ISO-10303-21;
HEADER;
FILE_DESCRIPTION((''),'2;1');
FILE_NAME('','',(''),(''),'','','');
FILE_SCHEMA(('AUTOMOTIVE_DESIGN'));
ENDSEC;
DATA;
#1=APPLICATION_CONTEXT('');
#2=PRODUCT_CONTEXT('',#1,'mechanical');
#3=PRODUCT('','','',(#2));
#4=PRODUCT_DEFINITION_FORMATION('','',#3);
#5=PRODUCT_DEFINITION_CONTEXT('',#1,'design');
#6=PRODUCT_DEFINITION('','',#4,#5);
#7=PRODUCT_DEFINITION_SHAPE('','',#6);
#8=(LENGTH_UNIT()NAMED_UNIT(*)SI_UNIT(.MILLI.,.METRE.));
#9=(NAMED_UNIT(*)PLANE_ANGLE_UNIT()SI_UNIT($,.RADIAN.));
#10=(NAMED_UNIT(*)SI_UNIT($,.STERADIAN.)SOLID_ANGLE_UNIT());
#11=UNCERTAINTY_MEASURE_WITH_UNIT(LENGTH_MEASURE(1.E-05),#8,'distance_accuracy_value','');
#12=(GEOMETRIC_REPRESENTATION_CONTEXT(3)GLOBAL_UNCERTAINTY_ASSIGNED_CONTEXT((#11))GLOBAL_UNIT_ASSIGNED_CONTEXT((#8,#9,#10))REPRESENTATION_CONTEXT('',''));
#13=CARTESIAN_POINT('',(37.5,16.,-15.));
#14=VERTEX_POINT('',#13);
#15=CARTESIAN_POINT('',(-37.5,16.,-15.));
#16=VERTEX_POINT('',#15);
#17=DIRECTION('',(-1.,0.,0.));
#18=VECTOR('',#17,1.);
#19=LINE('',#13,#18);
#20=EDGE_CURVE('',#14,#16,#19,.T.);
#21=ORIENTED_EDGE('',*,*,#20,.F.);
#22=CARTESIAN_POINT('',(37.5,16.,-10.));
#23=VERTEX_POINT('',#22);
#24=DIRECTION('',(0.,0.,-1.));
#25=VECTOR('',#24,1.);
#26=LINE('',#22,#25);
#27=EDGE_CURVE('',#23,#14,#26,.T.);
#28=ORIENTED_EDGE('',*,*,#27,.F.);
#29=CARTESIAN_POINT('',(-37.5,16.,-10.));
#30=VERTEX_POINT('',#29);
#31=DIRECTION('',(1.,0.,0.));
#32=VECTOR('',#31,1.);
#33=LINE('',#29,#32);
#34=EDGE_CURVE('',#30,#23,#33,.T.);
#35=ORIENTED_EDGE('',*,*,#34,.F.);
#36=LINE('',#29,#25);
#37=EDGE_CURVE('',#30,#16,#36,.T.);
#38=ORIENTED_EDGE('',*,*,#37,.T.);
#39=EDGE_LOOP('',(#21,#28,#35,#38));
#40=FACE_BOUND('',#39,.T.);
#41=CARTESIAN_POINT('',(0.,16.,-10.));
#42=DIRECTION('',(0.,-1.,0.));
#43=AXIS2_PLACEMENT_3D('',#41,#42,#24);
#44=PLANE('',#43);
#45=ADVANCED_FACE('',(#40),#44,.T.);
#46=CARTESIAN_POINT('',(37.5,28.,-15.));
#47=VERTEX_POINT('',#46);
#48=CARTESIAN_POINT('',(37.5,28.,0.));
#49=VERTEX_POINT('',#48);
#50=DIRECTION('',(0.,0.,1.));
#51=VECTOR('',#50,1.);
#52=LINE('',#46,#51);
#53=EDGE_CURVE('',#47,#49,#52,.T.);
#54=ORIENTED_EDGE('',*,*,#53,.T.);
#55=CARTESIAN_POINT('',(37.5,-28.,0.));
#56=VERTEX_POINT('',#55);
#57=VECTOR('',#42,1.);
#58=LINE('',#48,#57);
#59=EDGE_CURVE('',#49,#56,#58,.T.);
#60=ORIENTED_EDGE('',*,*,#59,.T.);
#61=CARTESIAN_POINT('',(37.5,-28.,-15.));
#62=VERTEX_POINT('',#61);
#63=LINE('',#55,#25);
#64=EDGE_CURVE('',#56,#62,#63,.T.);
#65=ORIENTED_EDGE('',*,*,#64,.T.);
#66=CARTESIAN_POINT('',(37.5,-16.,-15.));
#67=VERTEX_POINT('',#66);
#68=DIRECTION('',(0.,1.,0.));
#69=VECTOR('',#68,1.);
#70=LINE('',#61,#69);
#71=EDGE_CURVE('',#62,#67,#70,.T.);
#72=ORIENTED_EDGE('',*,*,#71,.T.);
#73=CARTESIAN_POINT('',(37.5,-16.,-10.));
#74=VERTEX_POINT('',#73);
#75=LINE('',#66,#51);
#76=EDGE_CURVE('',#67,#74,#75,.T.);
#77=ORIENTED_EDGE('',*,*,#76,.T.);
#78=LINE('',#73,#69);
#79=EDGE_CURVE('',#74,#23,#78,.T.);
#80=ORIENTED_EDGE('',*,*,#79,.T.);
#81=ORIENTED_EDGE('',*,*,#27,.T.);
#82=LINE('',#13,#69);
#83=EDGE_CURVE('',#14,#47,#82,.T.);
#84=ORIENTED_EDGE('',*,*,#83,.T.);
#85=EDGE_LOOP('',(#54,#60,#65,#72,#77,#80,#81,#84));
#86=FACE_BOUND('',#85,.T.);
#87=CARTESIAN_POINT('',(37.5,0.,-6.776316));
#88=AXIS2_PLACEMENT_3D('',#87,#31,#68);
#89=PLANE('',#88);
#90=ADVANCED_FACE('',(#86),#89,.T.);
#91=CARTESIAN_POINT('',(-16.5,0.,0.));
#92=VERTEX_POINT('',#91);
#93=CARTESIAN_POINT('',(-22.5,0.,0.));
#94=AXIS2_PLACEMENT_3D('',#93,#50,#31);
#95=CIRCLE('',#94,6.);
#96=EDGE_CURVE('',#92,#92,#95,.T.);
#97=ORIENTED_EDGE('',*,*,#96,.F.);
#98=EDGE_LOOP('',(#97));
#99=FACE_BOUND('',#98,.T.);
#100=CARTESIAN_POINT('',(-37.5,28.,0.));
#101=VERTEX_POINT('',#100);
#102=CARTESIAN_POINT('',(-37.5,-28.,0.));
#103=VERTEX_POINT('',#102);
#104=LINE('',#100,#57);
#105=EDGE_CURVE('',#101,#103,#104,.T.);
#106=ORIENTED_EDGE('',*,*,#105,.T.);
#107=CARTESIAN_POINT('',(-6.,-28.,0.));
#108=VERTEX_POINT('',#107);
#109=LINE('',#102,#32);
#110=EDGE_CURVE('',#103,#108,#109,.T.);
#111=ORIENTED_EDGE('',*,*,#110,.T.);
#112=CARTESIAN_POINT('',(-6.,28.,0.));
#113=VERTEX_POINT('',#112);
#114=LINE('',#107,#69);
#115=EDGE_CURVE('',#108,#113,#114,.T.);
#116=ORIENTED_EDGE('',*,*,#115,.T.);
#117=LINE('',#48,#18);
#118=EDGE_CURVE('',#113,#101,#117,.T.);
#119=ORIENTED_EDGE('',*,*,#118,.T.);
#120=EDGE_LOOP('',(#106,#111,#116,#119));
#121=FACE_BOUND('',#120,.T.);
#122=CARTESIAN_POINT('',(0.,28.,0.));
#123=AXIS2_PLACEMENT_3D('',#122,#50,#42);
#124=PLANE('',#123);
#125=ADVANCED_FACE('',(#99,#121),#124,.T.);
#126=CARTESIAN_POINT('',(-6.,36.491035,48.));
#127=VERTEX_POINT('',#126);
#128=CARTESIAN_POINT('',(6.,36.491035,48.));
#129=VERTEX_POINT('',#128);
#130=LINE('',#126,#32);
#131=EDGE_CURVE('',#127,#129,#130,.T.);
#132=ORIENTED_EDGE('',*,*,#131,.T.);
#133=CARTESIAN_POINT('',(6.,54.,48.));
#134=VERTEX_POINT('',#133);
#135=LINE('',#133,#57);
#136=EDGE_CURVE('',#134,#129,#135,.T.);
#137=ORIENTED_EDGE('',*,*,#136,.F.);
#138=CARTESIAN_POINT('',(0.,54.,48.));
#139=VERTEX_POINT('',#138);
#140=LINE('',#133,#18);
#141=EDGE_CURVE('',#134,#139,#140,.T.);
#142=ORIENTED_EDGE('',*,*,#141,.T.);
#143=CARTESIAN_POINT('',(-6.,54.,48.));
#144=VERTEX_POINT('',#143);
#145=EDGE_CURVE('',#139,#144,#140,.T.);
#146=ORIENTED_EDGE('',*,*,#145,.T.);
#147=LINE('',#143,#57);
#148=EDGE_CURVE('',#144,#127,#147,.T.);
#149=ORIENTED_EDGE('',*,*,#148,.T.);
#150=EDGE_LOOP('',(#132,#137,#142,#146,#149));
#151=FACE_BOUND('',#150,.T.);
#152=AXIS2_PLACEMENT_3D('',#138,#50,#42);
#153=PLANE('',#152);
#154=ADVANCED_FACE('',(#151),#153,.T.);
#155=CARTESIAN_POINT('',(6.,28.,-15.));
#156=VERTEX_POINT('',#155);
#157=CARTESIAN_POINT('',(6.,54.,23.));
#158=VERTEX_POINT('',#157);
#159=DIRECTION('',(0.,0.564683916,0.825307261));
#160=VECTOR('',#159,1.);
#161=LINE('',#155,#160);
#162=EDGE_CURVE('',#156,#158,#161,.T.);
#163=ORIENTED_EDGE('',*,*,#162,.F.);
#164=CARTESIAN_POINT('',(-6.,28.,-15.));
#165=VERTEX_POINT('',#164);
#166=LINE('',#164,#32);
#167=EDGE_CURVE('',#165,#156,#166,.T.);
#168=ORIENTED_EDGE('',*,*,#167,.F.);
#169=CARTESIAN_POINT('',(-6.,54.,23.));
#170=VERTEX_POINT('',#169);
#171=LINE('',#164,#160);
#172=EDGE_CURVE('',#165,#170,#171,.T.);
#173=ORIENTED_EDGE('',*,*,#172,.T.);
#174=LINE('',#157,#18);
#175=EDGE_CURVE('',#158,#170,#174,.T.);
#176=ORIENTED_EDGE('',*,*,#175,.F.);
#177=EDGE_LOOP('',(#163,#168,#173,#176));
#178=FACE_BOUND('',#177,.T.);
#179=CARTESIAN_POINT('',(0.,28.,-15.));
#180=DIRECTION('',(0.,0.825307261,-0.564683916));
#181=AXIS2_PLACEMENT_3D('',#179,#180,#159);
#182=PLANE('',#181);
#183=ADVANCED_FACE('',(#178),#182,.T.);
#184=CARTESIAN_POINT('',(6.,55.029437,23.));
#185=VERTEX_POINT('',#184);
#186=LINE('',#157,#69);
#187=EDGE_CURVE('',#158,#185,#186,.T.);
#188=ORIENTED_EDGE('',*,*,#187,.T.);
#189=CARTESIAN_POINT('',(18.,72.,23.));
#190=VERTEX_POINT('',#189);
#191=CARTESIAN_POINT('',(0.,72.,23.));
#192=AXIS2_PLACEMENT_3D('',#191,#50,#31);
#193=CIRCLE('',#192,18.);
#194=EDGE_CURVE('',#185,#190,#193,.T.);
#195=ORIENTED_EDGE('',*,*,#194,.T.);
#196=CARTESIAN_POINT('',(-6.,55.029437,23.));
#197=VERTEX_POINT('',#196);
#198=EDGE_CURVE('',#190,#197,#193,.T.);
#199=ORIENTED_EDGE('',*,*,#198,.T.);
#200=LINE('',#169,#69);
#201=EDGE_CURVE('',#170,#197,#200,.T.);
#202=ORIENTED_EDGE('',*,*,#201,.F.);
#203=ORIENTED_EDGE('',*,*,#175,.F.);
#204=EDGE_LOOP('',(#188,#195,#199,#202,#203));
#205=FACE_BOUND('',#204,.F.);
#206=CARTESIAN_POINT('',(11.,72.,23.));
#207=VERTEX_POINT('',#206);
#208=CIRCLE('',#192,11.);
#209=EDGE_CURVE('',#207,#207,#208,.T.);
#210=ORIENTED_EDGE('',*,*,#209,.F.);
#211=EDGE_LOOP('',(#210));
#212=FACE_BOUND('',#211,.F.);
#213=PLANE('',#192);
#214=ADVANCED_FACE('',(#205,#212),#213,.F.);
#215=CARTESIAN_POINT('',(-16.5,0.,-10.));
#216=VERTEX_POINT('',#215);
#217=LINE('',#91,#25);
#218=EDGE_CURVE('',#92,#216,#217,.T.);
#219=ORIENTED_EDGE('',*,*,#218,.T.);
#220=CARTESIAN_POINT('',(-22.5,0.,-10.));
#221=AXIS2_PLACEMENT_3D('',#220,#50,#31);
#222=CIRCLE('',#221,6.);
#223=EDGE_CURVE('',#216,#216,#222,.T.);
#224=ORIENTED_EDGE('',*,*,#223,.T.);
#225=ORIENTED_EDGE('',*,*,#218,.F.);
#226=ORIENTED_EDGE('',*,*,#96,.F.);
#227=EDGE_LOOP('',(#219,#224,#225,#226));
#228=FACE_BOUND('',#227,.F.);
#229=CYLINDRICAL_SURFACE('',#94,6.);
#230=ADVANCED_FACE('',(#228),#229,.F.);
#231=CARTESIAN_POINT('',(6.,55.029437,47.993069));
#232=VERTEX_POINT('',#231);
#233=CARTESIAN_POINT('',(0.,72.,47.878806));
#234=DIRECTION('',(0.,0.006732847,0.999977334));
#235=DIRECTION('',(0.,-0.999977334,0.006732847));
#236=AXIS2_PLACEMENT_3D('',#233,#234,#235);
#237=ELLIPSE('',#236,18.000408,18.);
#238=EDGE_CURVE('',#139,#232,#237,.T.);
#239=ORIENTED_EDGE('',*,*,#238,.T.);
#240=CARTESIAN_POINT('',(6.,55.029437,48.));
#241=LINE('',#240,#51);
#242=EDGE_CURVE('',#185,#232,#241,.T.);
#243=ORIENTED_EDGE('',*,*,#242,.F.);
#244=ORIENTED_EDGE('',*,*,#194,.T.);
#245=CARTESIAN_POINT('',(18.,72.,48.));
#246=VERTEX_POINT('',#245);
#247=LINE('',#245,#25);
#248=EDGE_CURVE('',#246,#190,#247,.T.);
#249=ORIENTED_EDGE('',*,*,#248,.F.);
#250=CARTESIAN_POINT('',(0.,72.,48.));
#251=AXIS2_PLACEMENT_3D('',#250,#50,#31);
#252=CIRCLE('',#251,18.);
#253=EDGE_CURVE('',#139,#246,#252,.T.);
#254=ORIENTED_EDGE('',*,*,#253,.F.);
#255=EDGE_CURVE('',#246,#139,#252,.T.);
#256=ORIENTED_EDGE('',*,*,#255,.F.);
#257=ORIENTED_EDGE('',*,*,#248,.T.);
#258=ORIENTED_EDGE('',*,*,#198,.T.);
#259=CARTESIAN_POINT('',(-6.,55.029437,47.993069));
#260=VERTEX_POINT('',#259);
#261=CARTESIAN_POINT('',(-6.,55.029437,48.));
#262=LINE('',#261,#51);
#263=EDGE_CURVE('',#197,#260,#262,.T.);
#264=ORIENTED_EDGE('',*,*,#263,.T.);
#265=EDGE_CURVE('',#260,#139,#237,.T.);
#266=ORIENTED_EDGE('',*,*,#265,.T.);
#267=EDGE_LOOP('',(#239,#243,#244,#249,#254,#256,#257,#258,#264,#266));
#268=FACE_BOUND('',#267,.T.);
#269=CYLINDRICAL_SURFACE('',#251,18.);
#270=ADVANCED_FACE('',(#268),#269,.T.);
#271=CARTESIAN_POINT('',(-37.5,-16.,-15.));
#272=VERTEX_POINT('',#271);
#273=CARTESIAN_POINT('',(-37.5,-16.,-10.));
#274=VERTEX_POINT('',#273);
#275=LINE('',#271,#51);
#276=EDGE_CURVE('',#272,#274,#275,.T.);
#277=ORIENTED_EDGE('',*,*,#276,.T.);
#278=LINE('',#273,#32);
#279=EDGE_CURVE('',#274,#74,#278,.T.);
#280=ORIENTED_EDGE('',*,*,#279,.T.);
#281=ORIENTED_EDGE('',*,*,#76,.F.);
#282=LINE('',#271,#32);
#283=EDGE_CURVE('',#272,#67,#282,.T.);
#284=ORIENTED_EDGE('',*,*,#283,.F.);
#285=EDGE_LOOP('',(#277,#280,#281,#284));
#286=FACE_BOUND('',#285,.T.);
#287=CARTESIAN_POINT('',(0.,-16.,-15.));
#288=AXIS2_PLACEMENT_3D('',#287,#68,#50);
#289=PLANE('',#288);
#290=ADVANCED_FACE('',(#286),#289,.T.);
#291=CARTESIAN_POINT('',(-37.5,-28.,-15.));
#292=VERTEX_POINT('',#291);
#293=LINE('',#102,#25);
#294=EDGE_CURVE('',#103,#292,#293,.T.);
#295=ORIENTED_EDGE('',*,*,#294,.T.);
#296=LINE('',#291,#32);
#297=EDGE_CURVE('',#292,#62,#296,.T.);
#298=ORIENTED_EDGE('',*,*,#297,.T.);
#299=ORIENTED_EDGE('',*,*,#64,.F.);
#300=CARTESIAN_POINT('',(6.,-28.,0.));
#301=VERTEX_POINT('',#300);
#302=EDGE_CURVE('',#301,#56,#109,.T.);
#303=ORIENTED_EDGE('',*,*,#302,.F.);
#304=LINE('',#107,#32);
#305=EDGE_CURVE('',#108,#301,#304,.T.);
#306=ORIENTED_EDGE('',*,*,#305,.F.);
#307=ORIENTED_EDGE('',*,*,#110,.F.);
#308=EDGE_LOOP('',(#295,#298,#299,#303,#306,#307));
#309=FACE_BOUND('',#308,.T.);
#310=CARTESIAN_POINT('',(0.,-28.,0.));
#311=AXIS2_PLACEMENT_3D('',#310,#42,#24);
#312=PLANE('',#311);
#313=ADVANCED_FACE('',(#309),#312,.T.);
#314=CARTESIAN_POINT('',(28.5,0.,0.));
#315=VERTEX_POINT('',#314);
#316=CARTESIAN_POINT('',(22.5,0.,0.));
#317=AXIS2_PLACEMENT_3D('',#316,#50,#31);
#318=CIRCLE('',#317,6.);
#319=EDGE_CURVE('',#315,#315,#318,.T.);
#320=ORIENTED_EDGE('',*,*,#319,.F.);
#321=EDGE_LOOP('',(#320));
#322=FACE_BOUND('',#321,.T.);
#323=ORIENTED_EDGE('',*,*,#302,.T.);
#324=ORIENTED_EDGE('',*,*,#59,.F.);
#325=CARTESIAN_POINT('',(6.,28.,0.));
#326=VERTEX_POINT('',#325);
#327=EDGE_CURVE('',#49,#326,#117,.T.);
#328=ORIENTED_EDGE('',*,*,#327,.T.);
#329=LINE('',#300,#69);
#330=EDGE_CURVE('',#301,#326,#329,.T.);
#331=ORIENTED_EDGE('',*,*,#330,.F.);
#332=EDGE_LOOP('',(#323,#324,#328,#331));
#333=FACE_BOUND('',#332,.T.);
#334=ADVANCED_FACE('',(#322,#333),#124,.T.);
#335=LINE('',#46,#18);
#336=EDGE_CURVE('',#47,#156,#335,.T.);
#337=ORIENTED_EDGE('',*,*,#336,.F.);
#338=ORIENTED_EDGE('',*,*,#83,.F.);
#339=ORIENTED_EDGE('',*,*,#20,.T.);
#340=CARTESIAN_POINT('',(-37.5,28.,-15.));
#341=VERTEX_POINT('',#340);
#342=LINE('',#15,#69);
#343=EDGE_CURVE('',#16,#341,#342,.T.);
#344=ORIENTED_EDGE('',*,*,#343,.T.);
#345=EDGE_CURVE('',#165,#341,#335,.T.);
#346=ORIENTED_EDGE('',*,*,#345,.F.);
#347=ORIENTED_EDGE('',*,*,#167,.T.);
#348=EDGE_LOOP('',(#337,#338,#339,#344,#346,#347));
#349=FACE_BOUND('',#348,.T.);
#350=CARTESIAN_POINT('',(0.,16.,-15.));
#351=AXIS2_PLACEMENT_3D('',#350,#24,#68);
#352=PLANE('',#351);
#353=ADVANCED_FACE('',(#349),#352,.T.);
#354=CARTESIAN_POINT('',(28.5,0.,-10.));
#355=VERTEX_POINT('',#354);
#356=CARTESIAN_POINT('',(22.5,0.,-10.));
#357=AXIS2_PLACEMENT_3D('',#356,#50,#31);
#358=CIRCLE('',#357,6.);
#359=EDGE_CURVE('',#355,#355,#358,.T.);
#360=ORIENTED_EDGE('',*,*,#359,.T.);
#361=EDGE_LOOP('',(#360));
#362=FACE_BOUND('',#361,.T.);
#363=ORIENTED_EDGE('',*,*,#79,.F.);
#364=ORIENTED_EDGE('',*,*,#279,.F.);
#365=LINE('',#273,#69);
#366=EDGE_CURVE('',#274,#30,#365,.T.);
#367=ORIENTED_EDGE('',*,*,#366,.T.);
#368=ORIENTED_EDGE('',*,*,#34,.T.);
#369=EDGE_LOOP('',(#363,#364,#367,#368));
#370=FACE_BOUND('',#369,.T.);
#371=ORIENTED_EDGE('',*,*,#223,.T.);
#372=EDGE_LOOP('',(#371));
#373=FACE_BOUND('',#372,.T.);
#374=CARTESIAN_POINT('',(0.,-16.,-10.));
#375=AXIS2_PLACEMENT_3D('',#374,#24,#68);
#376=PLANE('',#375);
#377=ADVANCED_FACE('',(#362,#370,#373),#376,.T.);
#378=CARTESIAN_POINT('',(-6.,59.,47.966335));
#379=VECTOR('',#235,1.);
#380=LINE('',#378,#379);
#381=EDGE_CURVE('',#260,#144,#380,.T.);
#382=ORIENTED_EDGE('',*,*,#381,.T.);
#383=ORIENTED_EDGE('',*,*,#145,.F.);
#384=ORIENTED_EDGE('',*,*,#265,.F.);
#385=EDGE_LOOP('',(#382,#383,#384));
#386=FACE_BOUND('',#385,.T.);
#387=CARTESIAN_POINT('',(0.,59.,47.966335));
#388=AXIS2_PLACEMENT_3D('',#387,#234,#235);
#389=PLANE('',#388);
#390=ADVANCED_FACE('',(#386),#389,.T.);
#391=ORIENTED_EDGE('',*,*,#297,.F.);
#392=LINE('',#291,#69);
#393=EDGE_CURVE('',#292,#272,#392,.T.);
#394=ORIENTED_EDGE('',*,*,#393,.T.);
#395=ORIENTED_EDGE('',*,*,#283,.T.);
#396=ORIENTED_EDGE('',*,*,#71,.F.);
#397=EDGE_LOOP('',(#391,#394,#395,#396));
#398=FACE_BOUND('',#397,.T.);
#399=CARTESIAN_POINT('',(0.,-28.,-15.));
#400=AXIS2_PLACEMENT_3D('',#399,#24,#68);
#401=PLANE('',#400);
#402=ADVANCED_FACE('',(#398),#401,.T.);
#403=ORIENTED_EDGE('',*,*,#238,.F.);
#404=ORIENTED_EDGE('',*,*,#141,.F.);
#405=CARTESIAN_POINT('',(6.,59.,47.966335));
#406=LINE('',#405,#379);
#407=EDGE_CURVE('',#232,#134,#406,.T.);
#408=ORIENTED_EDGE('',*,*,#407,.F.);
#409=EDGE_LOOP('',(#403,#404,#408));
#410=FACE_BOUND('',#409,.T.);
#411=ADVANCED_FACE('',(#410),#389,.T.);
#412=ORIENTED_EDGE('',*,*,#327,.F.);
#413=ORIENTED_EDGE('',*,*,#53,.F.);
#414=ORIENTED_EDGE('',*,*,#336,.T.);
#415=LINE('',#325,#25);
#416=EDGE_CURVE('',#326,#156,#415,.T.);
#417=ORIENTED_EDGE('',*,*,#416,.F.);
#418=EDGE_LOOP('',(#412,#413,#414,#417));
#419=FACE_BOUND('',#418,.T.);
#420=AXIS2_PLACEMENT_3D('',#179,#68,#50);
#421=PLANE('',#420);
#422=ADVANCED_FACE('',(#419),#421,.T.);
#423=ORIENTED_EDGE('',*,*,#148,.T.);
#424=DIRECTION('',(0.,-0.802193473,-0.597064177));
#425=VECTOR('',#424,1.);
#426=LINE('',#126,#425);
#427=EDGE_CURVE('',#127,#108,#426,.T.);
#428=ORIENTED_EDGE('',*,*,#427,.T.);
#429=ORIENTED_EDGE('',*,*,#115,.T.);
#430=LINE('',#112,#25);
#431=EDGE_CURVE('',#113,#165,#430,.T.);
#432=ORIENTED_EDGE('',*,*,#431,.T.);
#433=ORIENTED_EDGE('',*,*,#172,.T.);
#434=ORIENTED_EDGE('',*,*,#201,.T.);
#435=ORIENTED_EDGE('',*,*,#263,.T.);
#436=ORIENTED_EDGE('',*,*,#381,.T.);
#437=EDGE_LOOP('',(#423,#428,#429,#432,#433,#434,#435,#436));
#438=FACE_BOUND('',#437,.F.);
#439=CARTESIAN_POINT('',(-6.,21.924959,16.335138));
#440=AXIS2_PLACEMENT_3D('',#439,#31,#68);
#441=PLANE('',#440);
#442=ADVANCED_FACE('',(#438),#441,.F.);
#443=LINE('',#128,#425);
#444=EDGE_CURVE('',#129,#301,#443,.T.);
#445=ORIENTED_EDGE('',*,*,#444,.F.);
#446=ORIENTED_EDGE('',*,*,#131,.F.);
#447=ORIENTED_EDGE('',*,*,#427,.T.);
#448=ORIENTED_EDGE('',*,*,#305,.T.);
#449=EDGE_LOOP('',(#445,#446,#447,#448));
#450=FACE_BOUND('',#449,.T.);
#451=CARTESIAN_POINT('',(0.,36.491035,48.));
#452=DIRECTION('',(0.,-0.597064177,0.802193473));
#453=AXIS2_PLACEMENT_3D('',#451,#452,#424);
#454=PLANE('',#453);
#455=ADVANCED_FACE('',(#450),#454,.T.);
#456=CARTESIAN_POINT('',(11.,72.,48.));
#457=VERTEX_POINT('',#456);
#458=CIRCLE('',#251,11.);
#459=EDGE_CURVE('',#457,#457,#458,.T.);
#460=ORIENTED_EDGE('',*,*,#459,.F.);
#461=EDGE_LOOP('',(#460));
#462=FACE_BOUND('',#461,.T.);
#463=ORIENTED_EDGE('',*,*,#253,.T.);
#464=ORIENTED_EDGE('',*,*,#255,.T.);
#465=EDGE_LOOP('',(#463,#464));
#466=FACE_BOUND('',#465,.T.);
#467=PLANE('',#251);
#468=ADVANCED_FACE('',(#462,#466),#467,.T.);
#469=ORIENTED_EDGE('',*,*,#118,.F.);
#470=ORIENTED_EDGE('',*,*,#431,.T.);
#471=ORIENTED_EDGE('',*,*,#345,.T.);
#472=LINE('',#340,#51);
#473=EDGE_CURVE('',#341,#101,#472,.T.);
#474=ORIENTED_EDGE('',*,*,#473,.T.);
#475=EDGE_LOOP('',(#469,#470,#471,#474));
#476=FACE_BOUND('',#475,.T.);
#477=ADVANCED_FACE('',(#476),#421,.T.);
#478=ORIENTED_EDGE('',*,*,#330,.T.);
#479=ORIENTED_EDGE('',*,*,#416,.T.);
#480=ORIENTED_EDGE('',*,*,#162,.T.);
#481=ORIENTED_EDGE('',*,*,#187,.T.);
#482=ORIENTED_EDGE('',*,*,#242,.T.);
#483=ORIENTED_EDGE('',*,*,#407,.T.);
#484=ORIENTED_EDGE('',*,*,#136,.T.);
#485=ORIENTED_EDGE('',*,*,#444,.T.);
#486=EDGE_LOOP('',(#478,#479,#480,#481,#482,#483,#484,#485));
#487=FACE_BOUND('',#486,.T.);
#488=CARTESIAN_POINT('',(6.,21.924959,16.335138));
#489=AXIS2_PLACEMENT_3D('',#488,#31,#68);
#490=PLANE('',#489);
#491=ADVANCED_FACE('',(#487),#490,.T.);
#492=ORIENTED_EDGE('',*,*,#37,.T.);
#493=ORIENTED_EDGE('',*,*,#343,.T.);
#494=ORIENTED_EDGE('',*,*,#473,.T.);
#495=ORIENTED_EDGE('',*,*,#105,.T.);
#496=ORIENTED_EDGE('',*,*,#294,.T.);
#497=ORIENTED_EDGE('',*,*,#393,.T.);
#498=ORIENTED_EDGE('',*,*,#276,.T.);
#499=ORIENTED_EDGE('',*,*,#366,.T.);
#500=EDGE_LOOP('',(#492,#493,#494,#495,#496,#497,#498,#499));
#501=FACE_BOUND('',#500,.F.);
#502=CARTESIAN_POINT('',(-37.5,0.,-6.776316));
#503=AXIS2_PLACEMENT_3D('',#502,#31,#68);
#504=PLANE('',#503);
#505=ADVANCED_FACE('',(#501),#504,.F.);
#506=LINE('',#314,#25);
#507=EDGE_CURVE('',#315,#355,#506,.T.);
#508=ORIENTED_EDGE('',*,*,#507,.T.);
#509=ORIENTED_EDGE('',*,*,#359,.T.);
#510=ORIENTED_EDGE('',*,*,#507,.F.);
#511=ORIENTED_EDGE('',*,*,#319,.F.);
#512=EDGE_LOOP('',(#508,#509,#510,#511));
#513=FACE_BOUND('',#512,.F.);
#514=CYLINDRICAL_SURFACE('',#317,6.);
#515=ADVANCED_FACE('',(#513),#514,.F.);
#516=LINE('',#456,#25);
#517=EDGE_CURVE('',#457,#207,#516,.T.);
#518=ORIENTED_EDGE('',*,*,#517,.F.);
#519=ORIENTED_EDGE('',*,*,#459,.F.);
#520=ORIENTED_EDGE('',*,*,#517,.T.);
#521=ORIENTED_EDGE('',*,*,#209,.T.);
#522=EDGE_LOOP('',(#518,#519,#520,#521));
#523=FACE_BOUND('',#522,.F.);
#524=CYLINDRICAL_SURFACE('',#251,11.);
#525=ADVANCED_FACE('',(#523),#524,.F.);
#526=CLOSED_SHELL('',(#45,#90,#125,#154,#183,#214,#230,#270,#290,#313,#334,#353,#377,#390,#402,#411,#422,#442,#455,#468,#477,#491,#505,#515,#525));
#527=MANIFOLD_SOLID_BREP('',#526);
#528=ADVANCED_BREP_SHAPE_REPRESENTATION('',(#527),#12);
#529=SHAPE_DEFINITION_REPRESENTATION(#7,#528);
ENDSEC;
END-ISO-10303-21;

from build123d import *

# Parameters (mm, degrees)
F1_DEPTH = 37.5
F2_R     = 6
F3_DEPTH = 25
F5_DEPTH = 6
F7_R     = 18
F7_R_2   = 11
F8_DEPTH = 25


with BuildPart() as f1:
    # F0 (on Right) → F1 (new body, symmetric)
    with BuildSketch(Plane.YZ):
        Polygon((28, 0), (-28, 0), (-28, -15), (-16, -15), (-16, -10), (16, -10), (16, -15), (28, -15), align=None)
    extrude(amount=F1_DEPTH, both=True)

    # F2 (on face) → F3 (cut)
    with BuildSketch(Plane.XY):
        with Locations((-22.5, 0)):
            Circle(F2_R)
        with Locations((22.5, 0)):
            Circle(F2_R)
    extrude(amount=-F3_DEPTH, mode=Mode.SUBTRACT)

    # F4 (on Right) → F5 (join, symmetric)
    with BuildSketch(Plane.YZ):
        Polygon((54, 48), (36.491035, 48), (-28, 0), (28, 0), (28, -15), (54, 23), (59, 23), (59, 47.966335), align=None)
    extrude(amount=F5_DEPTH, both=True)

    # F7 (on offset) → F8 (join)
    with BuildSketch(Plane.XY.offset(48)):
        with Locations((0, 72)):
            Circle(F7_R)
        with Locations((0, 72)):
            Circle(F7_R_2, mode=Mode.SUBTRACT)
    extrude(amount=-F8_DEPTH)


solid = f1.part
